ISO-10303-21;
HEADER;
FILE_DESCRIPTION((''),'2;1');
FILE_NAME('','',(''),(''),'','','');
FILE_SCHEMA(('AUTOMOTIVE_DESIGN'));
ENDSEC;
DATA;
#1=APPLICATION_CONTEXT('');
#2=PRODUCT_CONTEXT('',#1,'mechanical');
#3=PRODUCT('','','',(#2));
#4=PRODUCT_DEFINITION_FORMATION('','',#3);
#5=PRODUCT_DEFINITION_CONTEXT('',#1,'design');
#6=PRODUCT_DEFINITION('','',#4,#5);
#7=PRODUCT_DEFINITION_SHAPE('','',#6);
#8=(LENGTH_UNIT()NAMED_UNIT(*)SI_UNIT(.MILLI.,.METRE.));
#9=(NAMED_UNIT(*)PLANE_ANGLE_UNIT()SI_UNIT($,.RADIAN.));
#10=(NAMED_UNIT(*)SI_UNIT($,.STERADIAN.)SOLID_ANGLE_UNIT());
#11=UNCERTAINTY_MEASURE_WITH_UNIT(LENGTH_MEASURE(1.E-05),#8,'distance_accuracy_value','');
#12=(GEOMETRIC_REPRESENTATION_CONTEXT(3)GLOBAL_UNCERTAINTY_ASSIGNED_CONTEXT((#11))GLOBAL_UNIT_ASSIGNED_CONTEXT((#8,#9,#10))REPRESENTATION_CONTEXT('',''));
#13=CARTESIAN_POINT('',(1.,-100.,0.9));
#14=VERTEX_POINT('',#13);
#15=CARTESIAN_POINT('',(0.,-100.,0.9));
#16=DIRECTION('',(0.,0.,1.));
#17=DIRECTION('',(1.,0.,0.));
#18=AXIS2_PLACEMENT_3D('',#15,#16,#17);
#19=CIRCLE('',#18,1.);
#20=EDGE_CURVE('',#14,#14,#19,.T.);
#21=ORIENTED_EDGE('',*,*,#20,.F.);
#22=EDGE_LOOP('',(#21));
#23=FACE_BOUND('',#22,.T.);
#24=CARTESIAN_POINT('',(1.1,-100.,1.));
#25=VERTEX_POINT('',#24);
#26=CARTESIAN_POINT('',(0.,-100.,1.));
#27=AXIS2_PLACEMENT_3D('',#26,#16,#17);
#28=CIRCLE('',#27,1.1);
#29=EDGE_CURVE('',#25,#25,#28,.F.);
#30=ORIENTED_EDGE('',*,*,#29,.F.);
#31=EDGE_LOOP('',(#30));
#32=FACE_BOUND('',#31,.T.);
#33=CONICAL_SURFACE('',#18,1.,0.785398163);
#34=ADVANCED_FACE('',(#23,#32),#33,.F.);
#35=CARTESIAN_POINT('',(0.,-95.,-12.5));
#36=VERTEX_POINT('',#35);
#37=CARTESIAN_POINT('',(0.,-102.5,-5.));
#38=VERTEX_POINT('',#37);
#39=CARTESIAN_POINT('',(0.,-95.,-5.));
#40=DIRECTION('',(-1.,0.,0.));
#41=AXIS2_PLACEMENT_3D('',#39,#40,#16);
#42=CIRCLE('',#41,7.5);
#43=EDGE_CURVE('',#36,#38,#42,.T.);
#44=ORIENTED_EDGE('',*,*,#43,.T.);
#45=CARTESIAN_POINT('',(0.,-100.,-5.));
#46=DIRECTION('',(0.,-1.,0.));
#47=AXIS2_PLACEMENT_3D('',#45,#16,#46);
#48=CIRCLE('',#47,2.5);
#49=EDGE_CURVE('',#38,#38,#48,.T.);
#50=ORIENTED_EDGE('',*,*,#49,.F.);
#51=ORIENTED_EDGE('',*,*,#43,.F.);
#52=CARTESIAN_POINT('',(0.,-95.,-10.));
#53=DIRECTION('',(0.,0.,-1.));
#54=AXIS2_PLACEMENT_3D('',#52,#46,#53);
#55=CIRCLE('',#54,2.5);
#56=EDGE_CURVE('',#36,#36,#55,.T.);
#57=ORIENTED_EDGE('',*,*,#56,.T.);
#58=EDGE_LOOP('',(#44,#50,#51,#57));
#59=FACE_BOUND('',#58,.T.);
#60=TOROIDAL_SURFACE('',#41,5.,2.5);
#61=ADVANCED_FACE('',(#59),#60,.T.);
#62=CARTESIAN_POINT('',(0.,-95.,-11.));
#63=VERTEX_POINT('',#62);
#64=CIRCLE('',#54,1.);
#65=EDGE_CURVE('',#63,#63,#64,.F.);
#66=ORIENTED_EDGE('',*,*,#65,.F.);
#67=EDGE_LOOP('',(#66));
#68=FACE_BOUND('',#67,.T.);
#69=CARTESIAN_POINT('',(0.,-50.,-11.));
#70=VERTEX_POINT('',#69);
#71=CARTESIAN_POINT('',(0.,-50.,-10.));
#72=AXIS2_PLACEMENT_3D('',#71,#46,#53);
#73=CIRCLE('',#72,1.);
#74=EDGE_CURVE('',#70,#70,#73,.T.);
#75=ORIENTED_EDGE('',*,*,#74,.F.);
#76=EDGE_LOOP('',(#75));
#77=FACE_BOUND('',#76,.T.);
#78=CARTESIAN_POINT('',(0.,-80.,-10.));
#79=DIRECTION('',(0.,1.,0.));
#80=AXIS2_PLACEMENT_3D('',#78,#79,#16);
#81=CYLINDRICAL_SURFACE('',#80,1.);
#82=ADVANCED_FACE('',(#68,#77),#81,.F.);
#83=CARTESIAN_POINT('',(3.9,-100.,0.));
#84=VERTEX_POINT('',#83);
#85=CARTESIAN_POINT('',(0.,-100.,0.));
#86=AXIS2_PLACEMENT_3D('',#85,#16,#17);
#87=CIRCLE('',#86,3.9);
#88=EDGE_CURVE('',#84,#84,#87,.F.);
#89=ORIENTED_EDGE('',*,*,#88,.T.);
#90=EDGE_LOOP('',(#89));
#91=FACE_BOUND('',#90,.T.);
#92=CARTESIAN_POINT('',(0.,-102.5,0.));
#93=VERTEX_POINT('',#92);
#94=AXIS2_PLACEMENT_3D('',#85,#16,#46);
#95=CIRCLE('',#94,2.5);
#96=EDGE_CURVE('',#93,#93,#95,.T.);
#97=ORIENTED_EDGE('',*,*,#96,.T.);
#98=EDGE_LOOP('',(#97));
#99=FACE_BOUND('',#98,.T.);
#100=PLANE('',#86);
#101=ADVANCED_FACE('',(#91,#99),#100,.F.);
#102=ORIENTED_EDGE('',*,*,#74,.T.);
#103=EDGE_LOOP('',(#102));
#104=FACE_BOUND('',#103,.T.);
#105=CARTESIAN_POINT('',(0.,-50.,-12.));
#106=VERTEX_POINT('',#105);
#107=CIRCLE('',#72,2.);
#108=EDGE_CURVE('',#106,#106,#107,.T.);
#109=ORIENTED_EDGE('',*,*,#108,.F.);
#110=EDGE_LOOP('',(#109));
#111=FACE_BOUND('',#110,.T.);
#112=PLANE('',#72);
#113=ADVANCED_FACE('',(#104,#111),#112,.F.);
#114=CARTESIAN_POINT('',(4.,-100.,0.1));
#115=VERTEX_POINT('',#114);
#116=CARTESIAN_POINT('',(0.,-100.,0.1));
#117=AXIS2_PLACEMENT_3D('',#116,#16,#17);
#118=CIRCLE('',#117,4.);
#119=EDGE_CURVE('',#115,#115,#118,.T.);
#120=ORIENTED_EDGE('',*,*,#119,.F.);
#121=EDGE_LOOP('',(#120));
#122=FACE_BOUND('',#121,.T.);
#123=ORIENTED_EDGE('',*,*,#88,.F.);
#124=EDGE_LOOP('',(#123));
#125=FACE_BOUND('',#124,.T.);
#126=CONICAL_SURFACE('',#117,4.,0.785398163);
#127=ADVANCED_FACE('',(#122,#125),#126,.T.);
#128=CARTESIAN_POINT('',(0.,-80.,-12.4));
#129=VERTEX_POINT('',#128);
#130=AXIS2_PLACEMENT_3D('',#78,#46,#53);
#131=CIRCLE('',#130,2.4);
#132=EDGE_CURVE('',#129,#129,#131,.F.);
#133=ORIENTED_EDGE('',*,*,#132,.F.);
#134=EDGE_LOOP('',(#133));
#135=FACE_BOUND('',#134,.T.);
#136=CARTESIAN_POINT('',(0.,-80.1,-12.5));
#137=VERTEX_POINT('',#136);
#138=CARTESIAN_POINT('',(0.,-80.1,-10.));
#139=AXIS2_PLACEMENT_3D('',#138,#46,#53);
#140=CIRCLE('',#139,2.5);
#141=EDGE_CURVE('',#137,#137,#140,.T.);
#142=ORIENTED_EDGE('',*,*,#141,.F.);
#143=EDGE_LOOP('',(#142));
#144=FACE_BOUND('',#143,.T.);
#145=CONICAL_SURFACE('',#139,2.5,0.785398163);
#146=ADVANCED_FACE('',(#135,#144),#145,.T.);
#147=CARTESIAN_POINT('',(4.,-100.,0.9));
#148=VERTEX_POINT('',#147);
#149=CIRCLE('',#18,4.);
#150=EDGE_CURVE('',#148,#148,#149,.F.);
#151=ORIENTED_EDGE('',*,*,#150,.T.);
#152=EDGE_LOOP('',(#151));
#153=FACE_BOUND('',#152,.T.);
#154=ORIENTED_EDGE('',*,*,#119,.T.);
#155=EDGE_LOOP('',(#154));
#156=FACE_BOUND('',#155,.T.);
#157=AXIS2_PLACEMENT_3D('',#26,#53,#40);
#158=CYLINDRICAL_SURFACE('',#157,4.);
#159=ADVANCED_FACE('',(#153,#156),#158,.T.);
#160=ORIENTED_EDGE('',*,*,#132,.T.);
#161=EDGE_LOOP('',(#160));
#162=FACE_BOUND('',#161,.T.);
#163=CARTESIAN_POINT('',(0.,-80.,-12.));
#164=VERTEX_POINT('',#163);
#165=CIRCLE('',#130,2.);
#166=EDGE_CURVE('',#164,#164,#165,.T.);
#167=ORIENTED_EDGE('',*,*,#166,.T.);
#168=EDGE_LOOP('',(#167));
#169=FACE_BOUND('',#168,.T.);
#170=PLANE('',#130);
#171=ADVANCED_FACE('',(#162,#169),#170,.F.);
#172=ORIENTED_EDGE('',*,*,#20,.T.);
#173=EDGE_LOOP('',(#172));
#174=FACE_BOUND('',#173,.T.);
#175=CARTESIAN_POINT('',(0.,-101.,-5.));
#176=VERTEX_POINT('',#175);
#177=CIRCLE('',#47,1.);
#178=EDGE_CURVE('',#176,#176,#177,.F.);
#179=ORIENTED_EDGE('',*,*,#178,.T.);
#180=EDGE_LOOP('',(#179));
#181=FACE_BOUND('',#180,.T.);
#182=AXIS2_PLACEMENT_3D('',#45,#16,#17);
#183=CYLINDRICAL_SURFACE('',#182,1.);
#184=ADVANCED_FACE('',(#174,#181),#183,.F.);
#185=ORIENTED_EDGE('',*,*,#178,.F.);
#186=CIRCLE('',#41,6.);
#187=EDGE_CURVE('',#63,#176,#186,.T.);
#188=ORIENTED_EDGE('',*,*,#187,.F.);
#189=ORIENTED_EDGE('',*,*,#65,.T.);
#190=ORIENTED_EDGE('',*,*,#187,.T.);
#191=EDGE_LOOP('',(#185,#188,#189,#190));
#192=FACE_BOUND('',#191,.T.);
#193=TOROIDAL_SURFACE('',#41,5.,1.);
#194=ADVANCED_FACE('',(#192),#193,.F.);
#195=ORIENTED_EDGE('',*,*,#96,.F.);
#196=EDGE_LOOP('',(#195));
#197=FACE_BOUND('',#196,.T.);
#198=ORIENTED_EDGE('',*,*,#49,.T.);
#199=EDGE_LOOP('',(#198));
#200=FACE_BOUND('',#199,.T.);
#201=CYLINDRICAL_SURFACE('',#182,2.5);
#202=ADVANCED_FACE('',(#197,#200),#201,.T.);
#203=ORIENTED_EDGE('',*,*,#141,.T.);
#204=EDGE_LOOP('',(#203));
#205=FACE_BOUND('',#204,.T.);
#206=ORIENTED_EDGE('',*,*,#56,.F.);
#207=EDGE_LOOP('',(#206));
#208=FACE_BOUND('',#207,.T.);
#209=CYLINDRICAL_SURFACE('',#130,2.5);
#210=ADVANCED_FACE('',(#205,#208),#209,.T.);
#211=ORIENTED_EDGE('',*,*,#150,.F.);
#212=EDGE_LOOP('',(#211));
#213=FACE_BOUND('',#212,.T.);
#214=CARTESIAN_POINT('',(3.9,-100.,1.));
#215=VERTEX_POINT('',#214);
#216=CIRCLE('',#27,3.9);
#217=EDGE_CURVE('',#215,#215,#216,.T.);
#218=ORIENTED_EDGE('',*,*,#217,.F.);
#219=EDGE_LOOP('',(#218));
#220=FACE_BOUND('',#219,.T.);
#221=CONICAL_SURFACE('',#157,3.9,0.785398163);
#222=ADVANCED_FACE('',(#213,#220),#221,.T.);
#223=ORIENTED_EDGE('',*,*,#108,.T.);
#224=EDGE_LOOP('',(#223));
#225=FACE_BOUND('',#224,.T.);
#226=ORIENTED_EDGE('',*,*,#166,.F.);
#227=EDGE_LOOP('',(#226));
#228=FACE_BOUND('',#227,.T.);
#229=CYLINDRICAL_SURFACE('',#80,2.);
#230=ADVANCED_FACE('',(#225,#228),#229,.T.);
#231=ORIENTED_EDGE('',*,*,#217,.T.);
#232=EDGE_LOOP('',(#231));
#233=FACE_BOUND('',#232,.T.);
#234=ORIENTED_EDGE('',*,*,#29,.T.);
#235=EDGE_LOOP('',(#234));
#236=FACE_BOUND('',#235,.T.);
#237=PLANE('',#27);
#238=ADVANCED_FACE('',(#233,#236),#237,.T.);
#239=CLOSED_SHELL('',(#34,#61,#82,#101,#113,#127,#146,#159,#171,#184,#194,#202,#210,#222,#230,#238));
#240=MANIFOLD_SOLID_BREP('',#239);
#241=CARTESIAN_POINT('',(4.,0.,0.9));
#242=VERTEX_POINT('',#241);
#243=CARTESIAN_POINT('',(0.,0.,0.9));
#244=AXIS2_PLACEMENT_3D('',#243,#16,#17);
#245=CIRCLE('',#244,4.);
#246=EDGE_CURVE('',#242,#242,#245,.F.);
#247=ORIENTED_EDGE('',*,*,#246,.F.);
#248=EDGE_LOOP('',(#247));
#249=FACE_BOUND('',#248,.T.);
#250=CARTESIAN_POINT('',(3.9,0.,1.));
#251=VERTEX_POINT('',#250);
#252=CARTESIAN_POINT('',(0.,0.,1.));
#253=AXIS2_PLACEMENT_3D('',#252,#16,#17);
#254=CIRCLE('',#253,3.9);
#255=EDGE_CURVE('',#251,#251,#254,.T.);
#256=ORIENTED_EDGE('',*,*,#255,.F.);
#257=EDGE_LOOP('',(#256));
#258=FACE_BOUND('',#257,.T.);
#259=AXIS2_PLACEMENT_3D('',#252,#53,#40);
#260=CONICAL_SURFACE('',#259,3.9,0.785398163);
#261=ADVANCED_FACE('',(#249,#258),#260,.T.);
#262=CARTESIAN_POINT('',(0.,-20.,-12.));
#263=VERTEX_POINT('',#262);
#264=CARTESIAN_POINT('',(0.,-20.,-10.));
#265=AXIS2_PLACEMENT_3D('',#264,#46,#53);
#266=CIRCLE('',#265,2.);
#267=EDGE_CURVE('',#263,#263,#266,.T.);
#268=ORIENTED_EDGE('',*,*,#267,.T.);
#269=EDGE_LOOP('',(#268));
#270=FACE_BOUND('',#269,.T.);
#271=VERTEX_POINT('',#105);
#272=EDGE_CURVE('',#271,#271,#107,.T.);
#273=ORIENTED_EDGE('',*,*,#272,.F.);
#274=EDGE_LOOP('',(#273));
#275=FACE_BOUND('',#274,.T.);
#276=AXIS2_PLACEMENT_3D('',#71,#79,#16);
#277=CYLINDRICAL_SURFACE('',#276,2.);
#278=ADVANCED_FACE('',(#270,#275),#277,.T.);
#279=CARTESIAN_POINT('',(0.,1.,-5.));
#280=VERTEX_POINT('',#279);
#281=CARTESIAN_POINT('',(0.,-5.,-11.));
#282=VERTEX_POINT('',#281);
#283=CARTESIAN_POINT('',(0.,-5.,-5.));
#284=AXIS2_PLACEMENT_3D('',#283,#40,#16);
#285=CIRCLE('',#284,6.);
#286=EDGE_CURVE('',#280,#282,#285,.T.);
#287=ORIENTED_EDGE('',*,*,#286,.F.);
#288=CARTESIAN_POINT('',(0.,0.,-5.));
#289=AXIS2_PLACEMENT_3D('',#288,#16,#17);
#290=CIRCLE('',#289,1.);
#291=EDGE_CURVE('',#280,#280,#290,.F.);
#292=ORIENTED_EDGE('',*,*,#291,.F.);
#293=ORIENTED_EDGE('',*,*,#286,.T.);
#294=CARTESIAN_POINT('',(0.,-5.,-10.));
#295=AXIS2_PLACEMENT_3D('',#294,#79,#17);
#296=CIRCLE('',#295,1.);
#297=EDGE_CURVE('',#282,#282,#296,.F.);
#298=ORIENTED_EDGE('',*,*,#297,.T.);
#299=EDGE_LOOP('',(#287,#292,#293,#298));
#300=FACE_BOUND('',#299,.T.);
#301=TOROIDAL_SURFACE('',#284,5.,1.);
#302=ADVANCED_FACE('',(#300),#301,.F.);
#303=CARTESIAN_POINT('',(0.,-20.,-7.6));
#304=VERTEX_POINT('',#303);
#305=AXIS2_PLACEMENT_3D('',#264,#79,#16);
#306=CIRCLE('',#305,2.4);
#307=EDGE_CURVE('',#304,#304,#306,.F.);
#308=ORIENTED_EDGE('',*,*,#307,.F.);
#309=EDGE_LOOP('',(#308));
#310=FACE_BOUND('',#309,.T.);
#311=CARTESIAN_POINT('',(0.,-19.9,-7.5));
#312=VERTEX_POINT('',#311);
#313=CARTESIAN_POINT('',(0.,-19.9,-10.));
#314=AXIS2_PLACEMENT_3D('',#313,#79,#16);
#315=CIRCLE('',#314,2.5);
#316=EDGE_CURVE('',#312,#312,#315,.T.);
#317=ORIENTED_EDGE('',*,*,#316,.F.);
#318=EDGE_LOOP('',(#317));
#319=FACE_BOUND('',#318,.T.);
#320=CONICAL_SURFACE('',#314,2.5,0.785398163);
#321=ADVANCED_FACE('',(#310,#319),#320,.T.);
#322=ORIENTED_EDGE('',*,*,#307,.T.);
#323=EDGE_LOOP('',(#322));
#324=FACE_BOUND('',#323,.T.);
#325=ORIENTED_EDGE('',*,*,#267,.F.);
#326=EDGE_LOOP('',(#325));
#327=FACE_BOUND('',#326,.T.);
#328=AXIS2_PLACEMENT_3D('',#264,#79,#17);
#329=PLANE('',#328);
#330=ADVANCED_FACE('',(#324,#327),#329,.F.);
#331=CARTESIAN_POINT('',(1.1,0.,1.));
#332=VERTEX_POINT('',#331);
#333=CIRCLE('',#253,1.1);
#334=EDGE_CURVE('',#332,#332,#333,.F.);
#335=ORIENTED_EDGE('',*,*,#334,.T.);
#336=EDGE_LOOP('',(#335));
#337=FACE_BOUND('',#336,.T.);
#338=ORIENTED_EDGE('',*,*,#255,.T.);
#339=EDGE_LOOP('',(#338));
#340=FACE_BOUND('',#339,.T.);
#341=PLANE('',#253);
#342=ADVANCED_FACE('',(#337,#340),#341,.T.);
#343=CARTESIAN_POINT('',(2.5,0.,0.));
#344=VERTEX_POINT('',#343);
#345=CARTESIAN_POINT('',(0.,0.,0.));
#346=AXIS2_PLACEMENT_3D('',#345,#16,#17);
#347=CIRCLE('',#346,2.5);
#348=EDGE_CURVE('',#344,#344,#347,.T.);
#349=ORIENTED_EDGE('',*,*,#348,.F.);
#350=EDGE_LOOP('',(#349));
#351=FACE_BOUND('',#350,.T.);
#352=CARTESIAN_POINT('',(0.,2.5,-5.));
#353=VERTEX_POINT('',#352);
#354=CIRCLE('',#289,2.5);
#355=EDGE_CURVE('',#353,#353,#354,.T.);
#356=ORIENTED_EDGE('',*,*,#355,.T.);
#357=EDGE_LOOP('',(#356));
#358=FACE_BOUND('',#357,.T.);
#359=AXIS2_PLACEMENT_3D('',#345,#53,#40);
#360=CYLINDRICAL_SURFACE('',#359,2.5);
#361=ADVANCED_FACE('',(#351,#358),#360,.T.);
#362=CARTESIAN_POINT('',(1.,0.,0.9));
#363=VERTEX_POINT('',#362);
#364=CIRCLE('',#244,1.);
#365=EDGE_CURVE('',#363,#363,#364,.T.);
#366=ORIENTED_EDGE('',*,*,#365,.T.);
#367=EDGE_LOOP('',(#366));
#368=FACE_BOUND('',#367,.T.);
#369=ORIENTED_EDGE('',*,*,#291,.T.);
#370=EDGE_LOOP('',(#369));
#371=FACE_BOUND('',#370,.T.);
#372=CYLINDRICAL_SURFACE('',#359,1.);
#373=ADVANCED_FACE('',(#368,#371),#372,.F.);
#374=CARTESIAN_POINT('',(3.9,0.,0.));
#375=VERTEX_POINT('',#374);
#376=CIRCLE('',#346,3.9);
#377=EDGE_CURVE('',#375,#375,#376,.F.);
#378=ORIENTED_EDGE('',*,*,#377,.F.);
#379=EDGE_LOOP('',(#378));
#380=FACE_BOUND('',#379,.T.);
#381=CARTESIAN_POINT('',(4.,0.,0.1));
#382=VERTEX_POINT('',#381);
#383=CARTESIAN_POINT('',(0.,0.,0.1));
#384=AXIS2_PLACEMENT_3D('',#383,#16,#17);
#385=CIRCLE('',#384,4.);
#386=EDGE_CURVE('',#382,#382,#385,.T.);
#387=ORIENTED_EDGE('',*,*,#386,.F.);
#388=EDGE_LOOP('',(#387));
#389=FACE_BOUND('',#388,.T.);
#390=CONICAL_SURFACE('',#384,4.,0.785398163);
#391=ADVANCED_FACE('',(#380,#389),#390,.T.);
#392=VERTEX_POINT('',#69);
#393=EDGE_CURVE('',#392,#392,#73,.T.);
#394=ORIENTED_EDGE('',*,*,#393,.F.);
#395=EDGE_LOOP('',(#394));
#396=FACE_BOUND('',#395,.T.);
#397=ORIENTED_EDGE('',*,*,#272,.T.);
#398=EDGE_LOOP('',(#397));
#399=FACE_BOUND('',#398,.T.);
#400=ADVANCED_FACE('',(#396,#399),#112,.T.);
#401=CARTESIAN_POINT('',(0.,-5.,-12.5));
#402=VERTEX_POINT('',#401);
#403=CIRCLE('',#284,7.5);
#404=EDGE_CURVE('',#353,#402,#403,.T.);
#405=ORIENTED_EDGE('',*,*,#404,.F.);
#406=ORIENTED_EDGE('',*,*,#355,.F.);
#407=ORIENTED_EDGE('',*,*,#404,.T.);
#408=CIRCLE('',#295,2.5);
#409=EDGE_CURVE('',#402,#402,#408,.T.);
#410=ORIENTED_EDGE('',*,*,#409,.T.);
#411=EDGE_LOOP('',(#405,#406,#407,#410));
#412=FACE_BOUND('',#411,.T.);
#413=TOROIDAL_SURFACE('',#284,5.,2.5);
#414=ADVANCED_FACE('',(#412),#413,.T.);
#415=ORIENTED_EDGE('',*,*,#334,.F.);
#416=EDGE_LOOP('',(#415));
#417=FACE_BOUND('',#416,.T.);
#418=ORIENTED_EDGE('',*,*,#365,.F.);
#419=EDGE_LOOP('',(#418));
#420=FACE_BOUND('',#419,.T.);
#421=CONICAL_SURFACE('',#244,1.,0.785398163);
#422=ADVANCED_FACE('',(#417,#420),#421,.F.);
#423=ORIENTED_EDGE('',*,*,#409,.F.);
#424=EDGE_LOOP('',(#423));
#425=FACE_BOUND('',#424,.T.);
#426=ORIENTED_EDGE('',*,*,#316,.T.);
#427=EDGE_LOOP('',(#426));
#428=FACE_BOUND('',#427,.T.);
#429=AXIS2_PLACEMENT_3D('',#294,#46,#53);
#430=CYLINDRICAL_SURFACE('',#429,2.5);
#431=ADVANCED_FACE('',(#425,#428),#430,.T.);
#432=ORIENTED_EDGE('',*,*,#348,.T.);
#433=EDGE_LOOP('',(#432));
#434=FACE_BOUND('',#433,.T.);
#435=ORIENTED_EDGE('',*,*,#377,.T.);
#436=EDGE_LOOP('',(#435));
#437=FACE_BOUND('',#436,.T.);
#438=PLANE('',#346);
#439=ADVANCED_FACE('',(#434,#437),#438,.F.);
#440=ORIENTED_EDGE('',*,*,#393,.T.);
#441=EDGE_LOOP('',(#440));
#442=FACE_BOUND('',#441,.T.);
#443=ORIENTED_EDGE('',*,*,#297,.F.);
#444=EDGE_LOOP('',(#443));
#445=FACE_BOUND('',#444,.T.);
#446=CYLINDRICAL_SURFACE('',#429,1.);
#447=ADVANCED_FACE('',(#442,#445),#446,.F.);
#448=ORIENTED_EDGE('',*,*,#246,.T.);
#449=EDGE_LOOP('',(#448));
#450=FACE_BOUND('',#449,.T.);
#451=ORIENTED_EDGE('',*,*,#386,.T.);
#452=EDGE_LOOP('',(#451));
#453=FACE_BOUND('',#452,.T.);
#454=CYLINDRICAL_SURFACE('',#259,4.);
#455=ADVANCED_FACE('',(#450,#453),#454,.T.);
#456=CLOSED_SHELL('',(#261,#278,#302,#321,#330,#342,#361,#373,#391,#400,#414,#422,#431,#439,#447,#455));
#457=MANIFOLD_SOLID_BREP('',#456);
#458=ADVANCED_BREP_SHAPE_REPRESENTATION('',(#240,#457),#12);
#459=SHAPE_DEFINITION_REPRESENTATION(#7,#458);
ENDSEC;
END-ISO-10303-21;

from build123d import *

# Parameters (mm, degrees)
SCHIZZO1_R                   = 2.5
SCHIZZO1_R_2                 = 1
SMUSSO1_SIZE                 = 0.1
SCHIZZO3_R                   = 2
SCHIZZO3_R_2                 = 1
ESTRUSIONE_ESTRUSIONE1_DEPTH = 30
SCHIZZO4_R                   = 2
SCHIZZO4_R_2                 = 1
ESTRUSIONE_ESTRUSIONE2_DEPTH = 30
SCHIZZO5_R                   = 2.5
SCHIZZO5_R_2                 = 1
SMUSSO2_SIZE                 = 0.1
SCHIZZO7_R                   = 4
SCHIZZO7_R_2                 = 1
ESTRUSIONE_ESTRUSIONE3_DEPTH = 1
SCHIZZO8_R                   = 4
SCHIZZO8_R_2                 = 1
ESTRUSIONE_ESTRUSIONE4_DEPTH = 1
SMUSSO3_SIZE                 = 0.1
SMUSSO4_SIZE                 = 0.1


with BuildPart() as part:
    # Sweep1: sweep along a path in Schizzo2
    with BuildLine(Plane(origin=(0, 0, 0), x_dir=(0, 0, -1), z_dir=(1, 0, 0))) as sweep1_path:
        Line((0, 0), (5, 0))
        ThreePointArc((5, 0), (8.535533906, -1.464466094), (10, -5))
        Line((10, -5), (10, -20))
    # Schizzo1 → Sweep1 (sweep)
    with BuildSketch(Plane.XY):
        Circle(SCHIZZO1_R)
        Circle(SCHIZZO1_R_2, mode=Mode.SUBTRACT)
    sweep(path=sweep1_path.line)

    # Smusso1
    smusso1_edges = [part.edges().sort_by_distance(p)[0] for p in [
        (-2.5, -20, -10),
    ]]
    chamfer(smusso1_edges, length=SMUSSO1_SIZE)

    # Schizzo3 → Estrusione-Estrusione1 (add)
    with BuildSketch(Plane.XZ.offset(20)):
        with Locations((0, -10)):
            Circle(SCHIZZO3_R)
        with Locations((0, -10)):
            Circle(SCHIZZO3_R_2, mode=Mode.SUBTRACT)
    extrude(amount=ESTRUSIONE_ESTRUSIONE1_DEPTH)

    # Schizzo7 → Estrusione-Estrusione3 (add)
    with BuildSketch(Plane.XY):
        Circle(SCHIZZO7_R)
        Circle(SCHIZZO7_R_2, mode=Mode.SUBTRACT)
    extrude(amount=ESTRUSIONE_ESTRUSIONE3_DEPTH)

    # Smusso4
    smusso4_edges = [part.edges().sort_by_distance(p)[0] for p in [
        (-4, 0, 1),
        (-4, 0, 0),
        (-1, 0, 1),
    ]]
    chamfer(smusso4_edges, length=SMUSSO4_SIZE)


with BuildPart() as body_2:
    # Schizzo4 → Estrusione-Estrusione2 (new body)
    with BuildSketch(Plane.XZ.offset(50)):
        with Locations((0, -10)):
            Circle(SCHIZZO4_R)
        with Locations((0, -10)):
            Circle(SCHIZZO4_R_2, mode=Mode.SUBTRACT)
    extrude(amount=ESTRUSIONE_ESTRUSIONE2_DEPTH)

    # Sweep2: sweep along a path in Schizzo6
    with BuildLine(Plane(origin=(0, 0, 0), x_dir=(0, 0, -1), z_dir=(1, 0, 0))) as sweep2_path:
        Line((10, -80), (10, -95))
        ThreePointArc((10, -95), (8.535533906, -98.535533906), (5, -100))
        Line((5, -100), (0, -100))
    # Schizzo5 → Sweep2 (sweep)
    with BuildSketch(Plane.XZ.offset(80)):
        with Locations((0, -10)):
            Circle(SCHIZZO5_R)
        with Locations((0, -10)):
            Circle(SCHIZZO5_R_2, mode=Mode.SUBTRACT)
    sweep(path=sweep2_path.line)

    # Smusso2
    smusso2_edges = [body_2.edges().sort_by_distance(p)[0] for p in [
        (-2.5, -80, -10),
    ]]
    chamfer(smusso2_edges, length=SMUSSO2_SIZE)

    # Schizzo8 → Estrusione-Estrusione4 (add)
    with BuildSketch(Plane.XY):
        with Locations((0, -100)):
            Circle(SCHIZZO8_R)
        with Locations((0, -100)):
            Circle(SCHIZZO8_R_2, mode=Mode.SUBTRACT)
    extrude(amount=ESTRUSIONE_ESTRUSIONE4_DEPTH)

    # Smusso3
    smusso3_edges = [body_2.edges().sort_by_distance(p)[0] for p in [
        (-4, -100, 1),
        (-4, -100, 0),
        (-1, -100, 1),
    ]]
    chamfer(smusso3_edges, length=SMUSSO3_SIZE)


solid = Compound([part.part, body_2.part])
